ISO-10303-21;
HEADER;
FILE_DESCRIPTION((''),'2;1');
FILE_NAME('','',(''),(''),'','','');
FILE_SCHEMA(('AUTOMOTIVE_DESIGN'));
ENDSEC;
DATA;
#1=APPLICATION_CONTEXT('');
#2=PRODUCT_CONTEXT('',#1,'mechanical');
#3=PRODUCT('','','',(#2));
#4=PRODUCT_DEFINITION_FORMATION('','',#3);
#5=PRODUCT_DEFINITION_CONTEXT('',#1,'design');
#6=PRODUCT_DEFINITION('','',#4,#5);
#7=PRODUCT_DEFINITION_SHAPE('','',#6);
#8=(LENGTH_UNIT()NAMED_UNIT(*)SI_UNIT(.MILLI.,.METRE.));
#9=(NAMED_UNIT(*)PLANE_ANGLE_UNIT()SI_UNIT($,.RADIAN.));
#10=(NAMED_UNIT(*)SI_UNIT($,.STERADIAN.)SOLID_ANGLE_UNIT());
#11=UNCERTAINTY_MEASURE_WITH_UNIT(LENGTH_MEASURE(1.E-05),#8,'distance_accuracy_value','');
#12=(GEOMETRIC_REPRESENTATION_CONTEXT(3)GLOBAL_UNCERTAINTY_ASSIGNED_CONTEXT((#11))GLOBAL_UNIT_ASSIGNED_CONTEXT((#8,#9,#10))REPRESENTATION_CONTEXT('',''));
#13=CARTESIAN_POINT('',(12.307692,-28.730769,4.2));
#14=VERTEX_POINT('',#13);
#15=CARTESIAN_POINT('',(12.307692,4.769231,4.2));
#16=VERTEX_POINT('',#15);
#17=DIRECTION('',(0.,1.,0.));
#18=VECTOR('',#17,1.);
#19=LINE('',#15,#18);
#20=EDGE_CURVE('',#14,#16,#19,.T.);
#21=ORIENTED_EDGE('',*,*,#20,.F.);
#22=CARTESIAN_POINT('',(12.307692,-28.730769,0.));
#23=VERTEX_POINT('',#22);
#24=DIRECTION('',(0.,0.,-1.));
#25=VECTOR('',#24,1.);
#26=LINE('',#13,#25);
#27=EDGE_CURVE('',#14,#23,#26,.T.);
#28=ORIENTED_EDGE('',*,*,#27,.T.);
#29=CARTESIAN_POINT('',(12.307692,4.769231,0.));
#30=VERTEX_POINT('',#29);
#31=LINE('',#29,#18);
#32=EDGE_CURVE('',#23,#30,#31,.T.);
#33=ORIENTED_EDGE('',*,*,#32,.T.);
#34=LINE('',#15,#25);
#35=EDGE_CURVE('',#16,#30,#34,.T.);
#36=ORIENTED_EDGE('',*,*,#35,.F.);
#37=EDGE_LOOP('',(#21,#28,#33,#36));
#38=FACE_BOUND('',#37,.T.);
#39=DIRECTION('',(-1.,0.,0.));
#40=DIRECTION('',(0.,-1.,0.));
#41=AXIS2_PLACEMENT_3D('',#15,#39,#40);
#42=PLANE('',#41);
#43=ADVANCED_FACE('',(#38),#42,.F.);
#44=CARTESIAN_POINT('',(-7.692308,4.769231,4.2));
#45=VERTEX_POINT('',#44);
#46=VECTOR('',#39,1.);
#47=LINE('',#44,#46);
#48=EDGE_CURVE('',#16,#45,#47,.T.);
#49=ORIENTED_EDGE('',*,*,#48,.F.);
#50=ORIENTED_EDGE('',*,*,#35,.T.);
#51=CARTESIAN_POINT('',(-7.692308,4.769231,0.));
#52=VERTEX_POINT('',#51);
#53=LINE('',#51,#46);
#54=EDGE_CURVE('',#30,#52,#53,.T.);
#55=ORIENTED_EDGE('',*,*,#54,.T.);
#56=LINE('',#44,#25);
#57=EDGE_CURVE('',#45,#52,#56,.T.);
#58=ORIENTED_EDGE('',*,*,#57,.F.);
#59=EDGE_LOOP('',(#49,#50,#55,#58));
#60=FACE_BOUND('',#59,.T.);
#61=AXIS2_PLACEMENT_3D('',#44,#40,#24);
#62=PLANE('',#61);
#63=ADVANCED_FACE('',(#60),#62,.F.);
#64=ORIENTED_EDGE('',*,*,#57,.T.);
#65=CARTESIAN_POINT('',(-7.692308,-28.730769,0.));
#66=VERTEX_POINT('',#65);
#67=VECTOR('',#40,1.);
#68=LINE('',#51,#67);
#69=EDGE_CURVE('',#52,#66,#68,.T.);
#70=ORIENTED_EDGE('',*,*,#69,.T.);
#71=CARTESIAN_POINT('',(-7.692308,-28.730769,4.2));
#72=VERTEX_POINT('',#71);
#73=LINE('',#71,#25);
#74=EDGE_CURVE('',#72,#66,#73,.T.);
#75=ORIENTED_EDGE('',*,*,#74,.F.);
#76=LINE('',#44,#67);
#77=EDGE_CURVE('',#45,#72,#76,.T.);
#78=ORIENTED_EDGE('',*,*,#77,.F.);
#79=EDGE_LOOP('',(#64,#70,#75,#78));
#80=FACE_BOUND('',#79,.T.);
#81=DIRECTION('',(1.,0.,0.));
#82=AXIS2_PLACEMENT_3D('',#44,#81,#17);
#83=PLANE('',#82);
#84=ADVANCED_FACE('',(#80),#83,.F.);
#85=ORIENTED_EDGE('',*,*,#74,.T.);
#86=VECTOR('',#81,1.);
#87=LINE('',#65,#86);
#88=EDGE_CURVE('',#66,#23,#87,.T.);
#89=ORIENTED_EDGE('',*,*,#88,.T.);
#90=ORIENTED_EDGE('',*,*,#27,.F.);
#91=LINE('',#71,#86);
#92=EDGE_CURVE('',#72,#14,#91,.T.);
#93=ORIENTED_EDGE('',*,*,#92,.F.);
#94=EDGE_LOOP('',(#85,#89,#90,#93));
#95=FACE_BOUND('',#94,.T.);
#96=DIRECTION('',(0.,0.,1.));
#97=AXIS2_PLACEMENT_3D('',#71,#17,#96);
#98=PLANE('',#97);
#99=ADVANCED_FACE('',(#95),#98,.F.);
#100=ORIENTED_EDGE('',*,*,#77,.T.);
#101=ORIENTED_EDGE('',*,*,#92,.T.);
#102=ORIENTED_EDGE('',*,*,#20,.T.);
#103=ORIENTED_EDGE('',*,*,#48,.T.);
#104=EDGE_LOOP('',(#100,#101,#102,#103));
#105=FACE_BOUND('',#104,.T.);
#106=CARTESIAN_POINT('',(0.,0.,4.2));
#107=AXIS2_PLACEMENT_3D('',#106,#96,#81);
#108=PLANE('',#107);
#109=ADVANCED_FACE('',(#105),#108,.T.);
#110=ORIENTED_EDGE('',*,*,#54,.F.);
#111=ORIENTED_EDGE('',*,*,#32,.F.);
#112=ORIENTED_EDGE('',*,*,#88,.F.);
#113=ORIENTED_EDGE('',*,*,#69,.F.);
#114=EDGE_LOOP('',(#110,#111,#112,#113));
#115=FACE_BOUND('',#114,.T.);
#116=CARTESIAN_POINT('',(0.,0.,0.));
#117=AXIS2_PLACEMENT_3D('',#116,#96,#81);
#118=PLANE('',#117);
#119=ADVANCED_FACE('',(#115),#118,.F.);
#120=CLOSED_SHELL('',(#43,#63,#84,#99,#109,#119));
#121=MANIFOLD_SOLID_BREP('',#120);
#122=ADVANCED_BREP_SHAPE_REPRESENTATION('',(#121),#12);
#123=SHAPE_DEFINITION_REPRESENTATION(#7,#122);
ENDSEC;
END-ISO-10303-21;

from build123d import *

# Parameters (mm, degrees)
SKETCH_1_W      = 20
SKETCH_1_H      = 33.5
EXTRUDE_1_DEPTH = 4.2


with BuildPart() as part:
    # 草图1 → 凸台-拉伸1 (new body)
    with BuildSketch(Plane.XY):
        with Locations((2.307692308, -11.980769231)):
            Rectangle(SKETCH_1_W, SKETCH_1_H)
    extrude(amount=EXTRUDE_1_DEPTH)


solid = part.part
